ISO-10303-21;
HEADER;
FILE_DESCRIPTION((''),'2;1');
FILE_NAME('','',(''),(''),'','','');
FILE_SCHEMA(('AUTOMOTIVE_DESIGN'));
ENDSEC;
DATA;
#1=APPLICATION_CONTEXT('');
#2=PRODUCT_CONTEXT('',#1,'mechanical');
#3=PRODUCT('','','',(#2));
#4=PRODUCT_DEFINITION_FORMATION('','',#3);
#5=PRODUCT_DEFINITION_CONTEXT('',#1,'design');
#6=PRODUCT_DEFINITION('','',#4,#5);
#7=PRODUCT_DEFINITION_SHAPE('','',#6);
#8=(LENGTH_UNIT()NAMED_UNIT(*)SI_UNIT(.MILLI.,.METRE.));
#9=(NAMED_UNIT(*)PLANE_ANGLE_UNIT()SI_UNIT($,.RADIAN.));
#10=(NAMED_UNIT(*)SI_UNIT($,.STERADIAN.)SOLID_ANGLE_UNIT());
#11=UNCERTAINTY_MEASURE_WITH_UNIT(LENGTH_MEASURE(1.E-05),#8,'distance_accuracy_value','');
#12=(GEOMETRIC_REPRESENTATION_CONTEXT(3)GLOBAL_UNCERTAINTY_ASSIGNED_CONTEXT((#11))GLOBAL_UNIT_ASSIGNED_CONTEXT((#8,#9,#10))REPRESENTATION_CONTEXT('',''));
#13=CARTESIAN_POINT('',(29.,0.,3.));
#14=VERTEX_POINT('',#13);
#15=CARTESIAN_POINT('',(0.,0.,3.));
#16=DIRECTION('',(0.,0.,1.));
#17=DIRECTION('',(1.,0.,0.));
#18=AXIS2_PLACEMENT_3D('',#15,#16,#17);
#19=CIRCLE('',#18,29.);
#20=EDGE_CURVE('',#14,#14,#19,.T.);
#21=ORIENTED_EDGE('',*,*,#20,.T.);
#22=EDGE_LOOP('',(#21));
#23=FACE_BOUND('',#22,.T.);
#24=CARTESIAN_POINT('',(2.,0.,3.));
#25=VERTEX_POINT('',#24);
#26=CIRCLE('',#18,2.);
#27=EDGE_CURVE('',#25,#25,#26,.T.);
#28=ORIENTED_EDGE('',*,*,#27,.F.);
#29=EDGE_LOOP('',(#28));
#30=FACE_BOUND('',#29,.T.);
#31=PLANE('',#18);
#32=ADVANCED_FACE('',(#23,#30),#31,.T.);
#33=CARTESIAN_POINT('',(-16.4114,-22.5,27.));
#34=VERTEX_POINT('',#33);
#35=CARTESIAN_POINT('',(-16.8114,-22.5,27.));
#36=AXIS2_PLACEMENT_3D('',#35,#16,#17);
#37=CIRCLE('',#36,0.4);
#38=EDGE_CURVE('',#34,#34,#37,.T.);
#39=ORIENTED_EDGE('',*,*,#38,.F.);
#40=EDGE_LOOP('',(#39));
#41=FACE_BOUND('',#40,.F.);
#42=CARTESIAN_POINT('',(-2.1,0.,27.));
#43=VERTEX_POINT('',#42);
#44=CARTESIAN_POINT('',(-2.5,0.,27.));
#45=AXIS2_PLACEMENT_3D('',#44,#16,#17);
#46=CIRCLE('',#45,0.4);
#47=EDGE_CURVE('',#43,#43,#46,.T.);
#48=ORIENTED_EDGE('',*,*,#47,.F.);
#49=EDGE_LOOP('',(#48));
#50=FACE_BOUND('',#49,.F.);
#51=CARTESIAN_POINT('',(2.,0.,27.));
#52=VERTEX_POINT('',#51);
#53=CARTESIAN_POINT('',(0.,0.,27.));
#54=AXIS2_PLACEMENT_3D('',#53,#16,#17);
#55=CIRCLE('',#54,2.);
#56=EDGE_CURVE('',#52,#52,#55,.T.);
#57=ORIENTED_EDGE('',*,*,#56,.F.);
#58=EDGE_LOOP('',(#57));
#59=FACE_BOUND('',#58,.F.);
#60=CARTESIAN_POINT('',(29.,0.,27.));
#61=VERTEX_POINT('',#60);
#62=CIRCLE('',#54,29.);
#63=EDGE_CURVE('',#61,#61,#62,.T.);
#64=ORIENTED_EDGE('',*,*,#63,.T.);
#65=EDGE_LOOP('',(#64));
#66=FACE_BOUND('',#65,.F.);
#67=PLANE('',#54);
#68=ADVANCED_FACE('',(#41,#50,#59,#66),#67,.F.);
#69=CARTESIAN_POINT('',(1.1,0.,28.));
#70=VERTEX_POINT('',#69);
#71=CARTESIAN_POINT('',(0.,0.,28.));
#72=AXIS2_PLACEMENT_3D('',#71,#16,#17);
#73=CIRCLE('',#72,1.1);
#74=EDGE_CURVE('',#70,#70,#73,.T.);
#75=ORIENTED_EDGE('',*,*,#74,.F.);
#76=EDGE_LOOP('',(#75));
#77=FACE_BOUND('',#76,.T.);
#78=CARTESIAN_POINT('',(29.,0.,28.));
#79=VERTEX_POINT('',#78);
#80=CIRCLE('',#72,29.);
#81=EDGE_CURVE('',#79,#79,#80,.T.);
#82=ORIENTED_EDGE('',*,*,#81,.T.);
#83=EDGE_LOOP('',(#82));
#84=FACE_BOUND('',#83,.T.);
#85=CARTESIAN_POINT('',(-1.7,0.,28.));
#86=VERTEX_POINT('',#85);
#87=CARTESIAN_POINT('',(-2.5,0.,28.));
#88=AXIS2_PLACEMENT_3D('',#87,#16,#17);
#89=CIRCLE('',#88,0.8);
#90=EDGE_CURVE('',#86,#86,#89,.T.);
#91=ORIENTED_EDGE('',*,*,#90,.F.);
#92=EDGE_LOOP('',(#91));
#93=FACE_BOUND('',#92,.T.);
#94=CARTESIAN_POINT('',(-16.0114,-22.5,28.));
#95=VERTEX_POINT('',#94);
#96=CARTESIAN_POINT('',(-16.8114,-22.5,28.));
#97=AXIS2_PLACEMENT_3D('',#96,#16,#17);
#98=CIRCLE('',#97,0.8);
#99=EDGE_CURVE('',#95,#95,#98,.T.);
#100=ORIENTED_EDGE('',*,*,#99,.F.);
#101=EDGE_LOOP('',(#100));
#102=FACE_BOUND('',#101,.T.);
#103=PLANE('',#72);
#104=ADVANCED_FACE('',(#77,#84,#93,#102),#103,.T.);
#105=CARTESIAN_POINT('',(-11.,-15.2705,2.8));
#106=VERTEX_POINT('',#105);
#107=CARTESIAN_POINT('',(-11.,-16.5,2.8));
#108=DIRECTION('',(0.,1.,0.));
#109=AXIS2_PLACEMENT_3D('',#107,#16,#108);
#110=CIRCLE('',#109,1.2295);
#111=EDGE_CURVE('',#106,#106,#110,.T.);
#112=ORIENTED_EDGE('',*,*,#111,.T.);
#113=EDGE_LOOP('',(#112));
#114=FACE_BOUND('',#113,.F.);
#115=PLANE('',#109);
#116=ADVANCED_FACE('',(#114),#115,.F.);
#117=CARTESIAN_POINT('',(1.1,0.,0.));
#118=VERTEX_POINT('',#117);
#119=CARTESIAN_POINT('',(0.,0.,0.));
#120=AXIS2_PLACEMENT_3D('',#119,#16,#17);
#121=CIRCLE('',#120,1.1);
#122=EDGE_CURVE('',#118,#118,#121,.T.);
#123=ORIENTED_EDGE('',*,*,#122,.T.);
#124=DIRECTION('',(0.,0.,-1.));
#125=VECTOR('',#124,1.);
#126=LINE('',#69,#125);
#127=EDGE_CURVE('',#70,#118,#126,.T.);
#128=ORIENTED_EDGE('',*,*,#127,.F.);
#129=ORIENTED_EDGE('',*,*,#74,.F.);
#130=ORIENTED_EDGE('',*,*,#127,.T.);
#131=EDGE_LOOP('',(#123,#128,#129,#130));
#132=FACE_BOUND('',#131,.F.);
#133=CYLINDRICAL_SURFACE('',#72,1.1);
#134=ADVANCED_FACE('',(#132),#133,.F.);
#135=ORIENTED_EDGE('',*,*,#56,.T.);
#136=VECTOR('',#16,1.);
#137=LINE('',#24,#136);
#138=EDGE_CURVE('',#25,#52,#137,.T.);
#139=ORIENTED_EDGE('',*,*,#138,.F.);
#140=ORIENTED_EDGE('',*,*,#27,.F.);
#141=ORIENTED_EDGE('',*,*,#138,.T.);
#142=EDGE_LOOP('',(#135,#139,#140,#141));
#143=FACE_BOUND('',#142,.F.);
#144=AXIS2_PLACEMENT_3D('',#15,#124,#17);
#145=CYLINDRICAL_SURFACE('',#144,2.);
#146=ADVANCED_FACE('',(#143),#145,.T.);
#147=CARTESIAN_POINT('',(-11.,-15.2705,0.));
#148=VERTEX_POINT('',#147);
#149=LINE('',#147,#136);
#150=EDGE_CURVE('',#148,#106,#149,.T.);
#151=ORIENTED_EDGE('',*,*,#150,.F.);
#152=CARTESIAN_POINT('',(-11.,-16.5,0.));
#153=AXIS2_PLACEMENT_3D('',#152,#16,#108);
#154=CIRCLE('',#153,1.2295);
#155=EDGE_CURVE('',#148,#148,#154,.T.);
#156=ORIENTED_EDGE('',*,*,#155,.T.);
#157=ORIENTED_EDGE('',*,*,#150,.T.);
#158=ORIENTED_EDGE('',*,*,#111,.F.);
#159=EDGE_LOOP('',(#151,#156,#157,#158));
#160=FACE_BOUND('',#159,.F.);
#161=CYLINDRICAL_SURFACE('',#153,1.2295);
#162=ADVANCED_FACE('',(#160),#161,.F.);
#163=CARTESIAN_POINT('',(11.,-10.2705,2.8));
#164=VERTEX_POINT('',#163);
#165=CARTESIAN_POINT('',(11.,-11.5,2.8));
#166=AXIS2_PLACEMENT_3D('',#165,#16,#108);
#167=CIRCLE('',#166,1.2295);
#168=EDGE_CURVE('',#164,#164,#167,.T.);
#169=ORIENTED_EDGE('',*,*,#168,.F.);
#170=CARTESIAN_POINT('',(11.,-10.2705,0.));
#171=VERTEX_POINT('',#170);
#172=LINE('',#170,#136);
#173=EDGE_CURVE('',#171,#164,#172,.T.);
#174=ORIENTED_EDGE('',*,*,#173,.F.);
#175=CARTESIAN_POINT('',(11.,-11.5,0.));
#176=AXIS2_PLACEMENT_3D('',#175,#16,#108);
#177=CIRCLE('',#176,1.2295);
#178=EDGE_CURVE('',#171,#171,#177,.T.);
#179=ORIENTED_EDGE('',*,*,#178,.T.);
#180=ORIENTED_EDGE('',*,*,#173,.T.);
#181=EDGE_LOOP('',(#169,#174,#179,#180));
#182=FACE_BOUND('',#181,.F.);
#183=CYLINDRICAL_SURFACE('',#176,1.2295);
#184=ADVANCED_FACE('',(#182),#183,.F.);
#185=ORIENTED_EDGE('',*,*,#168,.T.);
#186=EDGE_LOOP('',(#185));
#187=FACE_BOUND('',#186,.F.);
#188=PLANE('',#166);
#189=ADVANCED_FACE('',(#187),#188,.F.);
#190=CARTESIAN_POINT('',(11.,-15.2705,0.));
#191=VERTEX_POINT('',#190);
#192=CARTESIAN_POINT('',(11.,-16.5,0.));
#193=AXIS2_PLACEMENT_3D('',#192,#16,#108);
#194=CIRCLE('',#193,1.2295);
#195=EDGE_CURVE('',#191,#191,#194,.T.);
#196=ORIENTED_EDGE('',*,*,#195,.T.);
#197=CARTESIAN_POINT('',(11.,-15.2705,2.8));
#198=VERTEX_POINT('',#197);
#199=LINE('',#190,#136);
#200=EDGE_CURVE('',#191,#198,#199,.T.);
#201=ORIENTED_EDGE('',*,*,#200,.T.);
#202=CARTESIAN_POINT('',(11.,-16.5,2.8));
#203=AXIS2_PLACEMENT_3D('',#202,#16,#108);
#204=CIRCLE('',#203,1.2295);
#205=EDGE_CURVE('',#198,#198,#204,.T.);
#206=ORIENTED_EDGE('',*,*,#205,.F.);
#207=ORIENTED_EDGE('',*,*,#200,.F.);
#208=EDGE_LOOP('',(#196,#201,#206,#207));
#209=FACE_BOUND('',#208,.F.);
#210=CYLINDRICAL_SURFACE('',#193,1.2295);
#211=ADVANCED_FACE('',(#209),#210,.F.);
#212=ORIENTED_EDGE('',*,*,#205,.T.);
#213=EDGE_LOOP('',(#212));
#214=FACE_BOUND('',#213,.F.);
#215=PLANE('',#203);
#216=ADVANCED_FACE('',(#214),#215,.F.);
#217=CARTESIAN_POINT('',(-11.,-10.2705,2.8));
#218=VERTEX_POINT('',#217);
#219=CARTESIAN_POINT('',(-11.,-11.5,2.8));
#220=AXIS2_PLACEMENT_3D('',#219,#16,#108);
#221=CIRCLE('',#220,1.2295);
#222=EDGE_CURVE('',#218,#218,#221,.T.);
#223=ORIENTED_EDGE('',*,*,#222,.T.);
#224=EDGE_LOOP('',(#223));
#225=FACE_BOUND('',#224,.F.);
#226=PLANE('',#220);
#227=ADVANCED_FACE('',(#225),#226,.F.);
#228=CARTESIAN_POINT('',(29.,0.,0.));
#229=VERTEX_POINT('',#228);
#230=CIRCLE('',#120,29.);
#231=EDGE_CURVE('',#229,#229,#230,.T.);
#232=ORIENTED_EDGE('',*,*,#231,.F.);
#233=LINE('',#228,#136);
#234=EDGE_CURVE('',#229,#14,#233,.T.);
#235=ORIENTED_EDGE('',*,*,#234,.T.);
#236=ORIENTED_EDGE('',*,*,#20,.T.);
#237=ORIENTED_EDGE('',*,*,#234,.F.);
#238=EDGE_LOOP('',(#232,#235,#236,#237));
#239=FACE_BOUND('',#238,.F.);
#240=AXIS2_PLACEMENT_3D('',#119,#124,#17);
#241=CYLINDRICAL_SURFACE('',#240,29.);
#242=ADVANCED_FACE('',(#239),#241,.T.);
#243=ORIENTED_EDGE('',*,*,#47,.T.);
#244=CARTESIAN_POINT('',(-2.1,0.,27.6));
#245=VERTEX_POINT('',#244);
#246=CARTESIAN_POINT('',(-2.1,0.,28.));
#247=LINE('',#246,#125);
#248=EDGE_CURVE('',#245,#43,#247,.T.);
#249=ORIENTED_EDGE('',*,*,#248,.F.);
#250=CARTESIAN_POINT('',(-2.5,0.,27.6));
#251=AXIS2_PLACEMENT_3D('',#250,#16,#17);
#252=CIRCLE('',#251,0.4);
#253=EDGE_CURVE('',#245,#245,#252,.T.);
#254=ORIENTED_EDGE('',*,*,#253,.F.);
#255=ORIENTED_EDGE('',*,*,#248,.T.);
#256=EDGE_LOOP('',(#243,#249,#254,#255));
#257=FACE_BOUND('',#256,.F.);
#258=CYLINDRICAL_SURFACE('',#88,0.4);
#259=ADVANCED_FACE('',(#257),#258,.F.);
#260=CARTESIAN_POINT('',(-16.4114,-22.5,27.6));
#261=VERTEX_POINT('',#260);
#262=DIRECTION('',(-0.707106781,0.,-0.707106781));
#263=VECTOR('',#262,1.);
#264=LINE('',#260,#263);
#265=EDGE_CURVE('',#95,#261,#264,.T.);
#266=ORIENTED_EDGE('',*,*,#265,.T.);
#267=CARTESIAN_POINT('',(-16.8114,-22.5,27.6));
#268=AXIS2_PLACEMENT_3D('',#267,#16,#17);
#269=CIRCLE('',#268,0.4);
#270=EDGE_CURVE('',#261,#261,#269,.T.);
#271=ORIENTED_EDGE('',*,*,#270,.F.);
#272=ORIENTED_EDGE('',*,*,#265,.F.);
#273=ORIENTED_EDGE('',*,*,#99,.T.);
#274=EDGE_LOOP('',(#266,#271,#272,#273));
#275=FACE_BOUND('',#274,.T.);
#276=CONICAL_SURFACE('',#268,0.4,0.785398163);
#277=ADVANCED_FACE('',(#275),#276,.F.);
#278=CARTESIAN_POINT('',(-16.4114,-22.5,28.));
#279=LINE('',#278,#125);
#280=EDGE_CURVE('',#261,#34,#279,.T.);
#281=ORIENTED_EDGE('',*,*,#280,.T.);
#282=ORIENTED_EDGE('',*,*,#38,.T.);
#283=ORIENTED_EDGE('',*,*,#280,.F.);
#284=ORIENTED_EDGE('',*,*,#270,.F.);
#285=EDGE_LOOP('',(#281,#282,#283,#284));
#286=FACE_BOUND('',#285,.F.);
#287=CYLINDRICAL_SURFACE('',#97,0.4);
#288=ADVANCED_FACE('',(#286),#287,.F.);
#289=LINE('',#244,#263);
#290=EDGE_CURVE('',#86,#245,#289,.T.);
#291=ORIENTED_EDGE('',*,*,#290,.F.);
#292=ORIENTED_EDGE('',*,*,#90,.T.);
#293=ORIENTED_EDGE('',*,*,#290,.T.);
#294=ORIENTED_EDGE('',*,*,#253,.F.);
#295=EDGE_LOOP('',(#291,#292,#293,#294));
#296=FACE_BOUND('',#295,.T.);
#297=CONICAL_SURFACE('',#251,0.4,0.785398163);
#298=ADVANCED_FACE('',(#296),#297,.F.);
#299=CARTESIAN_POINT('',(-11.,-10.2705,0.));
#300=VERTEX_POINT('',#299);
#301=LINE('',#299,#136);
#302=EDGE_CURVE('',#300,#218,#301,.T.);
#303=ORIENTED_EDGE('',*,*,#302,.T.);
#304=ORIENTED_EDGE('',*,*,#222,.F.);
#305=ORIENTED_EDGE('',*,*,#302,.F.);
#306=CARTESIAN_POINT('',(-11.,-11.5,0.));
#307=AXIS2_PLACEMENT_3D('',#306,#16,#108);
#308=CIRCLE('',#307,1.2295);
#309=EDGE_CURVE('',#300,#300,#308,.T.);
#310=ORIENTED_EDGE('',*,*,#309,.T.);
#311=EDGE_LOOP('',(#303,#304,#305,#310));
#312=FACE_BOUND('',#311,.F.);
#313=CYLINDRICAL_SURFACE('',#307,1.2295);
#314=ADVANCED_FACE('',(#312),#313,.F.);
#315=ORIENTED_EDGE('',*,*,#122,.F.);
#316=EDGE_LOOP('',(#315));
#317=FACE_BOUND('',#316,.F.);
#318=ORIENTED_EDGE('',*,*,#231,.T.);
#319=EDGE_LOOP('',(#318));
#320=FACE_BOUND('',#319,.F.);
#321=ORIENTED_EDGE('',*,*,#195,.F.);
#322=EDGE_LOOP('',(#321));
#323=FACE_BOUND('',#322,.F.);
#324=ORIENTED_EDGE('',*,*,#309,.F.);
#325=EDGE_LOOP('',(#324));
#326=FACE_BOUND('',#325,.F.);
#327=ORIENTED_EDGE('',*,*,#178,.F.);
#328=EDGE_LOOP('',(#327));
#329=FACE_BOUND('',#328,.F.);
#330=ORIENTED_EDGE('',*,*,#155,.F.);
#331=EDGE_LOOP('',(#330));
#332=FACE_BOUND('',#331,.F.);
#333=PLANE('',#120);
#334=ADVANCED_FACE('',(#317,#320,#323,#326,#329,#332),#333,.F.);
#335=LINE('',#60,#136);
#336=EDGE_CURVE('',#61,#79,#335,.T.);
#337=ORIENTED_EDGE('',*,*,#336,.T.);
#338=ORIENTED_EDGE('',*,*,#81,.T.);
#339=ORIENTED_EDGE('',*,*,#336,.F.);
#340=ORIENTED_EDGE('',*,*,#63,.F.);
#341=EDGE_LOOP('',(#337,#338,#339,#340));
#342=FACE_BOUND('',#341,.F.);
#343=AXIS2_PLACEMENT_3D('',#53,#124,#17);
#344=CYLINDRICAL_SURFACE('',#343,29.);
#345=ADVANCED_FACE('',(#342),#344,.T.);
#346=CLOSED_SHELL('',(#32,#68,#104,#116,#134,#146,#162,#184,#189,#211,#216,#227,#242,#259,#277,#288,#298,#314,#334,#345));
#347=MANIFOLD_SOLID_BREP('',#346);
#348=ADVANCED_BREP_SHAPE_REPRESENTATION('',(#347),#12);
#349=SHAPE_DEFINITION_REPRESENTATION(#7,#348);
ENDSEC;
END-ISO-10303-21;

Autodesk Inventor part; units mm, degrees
ref_plane "YZ Plane" through (0, 0, 0) normal (1, 0, 0) x (0, 1, 0)
ref_plane "XZ Plane" through (0, 0, 0) normal (0, 1, 0) x (-1, 0, 0)
ref_plane "XY Plane" through (0, 0, 0) normal (0, 0, 1) x (1, 0, 0)
sketch "Sketch1" plane through (0, 0, 0) normal (0, 0, 1) x (1, 0, 0)
  circle A0 centre (0, 0) radius 29
  dimension "d0" = 58
extrude "Extrusion1" add sketch "Sketch1" along normal blind 3
sketch "Sketch2" plane through (0, 0, 3) normal (0, 0, 1) x (1, 0, 0)
  circle A0 centre (0, 0) radius 2
  dimension "d3" = 4
extrude "Extrusion2" add sketch "Sketch2" along normal blind 24
sketch "Sketch3" plane through (0, 0, 27) normal (0, 0, 1) x (1, 0, 0)
  circle A0 centre (0, 0) radius 29
  dimension "d6" = 58
extrude "Extrusion3" add sketch "Sketch3" along normal blind 1
sketch "Sketch4" plane through (0, 0, 28) normal (0, 0, 1) x (1, 0, 0)
  circle A0 centre (0, 0) radius 1.1
  dimension "d9" = 2.2
extrude "Extrusion4" cut sketch "Sketch4" against normal through all
sketch "Sketch6" plane through (0, 0, 28) normal (0, 0, 1) x (1, 0, 0)
  circle A0 centre (0, 0) radius 2 construction
  circle A1 centre (-16.8114, -22.5) radius 0.4
  circle A2 centre (-2.5, 0) radius 0.4
  circle A3 centre (0, 0) radius 29 projected
  dimension "d20" = 0.8
  dimension "d21" = 0.8
  dimension "d32" = 2.5
  dimension "d41" = 22.5
sketch "Sketch7" plane through (0, 0, 28) normal (0, 0, 1) x (1, 0, 0)
  point P0 (0, 0)
extrude "Extrusion5" cut sketch "Sketch6" against normal up to surface (1 mm away) contours A1 | A2
chamfer "Chamfer1" distance 0.4 angle 45 2 edges at (-2.9, 0, 28) (-17.2114, -22.5, 28)
sketch "Sketch9" plane through (0, 0, 0) normal (0, 0, -1) x (-1, 0, 0)
  point P0 (0, 0)
  point P1 (11, -11.5)
  point P2 (-11, -11.5)
  point P3 (11, -16.5)
  point P4 (-11, -16.5)
  dimension "d44" = 11
  dimension "d45" = 11
  dimension "d46" = 11.5
  dimension "d47" = 11.5
  dimension "d48" = 5
  dimension "d49" = 5
hole "Hole2" at (11, -11.5, 0) at (-11, -11.5, 0) at (-11, -16.5, 0) at (11, -16.5, 0) direction (0, 0, 1) diameter 2.459 depth 2.8 thread size "M3x0.5" class "6H" standard "ISO Metric profile"
loft "Loft1" [suppressed]
properties part number "Bobbin_x_b"
